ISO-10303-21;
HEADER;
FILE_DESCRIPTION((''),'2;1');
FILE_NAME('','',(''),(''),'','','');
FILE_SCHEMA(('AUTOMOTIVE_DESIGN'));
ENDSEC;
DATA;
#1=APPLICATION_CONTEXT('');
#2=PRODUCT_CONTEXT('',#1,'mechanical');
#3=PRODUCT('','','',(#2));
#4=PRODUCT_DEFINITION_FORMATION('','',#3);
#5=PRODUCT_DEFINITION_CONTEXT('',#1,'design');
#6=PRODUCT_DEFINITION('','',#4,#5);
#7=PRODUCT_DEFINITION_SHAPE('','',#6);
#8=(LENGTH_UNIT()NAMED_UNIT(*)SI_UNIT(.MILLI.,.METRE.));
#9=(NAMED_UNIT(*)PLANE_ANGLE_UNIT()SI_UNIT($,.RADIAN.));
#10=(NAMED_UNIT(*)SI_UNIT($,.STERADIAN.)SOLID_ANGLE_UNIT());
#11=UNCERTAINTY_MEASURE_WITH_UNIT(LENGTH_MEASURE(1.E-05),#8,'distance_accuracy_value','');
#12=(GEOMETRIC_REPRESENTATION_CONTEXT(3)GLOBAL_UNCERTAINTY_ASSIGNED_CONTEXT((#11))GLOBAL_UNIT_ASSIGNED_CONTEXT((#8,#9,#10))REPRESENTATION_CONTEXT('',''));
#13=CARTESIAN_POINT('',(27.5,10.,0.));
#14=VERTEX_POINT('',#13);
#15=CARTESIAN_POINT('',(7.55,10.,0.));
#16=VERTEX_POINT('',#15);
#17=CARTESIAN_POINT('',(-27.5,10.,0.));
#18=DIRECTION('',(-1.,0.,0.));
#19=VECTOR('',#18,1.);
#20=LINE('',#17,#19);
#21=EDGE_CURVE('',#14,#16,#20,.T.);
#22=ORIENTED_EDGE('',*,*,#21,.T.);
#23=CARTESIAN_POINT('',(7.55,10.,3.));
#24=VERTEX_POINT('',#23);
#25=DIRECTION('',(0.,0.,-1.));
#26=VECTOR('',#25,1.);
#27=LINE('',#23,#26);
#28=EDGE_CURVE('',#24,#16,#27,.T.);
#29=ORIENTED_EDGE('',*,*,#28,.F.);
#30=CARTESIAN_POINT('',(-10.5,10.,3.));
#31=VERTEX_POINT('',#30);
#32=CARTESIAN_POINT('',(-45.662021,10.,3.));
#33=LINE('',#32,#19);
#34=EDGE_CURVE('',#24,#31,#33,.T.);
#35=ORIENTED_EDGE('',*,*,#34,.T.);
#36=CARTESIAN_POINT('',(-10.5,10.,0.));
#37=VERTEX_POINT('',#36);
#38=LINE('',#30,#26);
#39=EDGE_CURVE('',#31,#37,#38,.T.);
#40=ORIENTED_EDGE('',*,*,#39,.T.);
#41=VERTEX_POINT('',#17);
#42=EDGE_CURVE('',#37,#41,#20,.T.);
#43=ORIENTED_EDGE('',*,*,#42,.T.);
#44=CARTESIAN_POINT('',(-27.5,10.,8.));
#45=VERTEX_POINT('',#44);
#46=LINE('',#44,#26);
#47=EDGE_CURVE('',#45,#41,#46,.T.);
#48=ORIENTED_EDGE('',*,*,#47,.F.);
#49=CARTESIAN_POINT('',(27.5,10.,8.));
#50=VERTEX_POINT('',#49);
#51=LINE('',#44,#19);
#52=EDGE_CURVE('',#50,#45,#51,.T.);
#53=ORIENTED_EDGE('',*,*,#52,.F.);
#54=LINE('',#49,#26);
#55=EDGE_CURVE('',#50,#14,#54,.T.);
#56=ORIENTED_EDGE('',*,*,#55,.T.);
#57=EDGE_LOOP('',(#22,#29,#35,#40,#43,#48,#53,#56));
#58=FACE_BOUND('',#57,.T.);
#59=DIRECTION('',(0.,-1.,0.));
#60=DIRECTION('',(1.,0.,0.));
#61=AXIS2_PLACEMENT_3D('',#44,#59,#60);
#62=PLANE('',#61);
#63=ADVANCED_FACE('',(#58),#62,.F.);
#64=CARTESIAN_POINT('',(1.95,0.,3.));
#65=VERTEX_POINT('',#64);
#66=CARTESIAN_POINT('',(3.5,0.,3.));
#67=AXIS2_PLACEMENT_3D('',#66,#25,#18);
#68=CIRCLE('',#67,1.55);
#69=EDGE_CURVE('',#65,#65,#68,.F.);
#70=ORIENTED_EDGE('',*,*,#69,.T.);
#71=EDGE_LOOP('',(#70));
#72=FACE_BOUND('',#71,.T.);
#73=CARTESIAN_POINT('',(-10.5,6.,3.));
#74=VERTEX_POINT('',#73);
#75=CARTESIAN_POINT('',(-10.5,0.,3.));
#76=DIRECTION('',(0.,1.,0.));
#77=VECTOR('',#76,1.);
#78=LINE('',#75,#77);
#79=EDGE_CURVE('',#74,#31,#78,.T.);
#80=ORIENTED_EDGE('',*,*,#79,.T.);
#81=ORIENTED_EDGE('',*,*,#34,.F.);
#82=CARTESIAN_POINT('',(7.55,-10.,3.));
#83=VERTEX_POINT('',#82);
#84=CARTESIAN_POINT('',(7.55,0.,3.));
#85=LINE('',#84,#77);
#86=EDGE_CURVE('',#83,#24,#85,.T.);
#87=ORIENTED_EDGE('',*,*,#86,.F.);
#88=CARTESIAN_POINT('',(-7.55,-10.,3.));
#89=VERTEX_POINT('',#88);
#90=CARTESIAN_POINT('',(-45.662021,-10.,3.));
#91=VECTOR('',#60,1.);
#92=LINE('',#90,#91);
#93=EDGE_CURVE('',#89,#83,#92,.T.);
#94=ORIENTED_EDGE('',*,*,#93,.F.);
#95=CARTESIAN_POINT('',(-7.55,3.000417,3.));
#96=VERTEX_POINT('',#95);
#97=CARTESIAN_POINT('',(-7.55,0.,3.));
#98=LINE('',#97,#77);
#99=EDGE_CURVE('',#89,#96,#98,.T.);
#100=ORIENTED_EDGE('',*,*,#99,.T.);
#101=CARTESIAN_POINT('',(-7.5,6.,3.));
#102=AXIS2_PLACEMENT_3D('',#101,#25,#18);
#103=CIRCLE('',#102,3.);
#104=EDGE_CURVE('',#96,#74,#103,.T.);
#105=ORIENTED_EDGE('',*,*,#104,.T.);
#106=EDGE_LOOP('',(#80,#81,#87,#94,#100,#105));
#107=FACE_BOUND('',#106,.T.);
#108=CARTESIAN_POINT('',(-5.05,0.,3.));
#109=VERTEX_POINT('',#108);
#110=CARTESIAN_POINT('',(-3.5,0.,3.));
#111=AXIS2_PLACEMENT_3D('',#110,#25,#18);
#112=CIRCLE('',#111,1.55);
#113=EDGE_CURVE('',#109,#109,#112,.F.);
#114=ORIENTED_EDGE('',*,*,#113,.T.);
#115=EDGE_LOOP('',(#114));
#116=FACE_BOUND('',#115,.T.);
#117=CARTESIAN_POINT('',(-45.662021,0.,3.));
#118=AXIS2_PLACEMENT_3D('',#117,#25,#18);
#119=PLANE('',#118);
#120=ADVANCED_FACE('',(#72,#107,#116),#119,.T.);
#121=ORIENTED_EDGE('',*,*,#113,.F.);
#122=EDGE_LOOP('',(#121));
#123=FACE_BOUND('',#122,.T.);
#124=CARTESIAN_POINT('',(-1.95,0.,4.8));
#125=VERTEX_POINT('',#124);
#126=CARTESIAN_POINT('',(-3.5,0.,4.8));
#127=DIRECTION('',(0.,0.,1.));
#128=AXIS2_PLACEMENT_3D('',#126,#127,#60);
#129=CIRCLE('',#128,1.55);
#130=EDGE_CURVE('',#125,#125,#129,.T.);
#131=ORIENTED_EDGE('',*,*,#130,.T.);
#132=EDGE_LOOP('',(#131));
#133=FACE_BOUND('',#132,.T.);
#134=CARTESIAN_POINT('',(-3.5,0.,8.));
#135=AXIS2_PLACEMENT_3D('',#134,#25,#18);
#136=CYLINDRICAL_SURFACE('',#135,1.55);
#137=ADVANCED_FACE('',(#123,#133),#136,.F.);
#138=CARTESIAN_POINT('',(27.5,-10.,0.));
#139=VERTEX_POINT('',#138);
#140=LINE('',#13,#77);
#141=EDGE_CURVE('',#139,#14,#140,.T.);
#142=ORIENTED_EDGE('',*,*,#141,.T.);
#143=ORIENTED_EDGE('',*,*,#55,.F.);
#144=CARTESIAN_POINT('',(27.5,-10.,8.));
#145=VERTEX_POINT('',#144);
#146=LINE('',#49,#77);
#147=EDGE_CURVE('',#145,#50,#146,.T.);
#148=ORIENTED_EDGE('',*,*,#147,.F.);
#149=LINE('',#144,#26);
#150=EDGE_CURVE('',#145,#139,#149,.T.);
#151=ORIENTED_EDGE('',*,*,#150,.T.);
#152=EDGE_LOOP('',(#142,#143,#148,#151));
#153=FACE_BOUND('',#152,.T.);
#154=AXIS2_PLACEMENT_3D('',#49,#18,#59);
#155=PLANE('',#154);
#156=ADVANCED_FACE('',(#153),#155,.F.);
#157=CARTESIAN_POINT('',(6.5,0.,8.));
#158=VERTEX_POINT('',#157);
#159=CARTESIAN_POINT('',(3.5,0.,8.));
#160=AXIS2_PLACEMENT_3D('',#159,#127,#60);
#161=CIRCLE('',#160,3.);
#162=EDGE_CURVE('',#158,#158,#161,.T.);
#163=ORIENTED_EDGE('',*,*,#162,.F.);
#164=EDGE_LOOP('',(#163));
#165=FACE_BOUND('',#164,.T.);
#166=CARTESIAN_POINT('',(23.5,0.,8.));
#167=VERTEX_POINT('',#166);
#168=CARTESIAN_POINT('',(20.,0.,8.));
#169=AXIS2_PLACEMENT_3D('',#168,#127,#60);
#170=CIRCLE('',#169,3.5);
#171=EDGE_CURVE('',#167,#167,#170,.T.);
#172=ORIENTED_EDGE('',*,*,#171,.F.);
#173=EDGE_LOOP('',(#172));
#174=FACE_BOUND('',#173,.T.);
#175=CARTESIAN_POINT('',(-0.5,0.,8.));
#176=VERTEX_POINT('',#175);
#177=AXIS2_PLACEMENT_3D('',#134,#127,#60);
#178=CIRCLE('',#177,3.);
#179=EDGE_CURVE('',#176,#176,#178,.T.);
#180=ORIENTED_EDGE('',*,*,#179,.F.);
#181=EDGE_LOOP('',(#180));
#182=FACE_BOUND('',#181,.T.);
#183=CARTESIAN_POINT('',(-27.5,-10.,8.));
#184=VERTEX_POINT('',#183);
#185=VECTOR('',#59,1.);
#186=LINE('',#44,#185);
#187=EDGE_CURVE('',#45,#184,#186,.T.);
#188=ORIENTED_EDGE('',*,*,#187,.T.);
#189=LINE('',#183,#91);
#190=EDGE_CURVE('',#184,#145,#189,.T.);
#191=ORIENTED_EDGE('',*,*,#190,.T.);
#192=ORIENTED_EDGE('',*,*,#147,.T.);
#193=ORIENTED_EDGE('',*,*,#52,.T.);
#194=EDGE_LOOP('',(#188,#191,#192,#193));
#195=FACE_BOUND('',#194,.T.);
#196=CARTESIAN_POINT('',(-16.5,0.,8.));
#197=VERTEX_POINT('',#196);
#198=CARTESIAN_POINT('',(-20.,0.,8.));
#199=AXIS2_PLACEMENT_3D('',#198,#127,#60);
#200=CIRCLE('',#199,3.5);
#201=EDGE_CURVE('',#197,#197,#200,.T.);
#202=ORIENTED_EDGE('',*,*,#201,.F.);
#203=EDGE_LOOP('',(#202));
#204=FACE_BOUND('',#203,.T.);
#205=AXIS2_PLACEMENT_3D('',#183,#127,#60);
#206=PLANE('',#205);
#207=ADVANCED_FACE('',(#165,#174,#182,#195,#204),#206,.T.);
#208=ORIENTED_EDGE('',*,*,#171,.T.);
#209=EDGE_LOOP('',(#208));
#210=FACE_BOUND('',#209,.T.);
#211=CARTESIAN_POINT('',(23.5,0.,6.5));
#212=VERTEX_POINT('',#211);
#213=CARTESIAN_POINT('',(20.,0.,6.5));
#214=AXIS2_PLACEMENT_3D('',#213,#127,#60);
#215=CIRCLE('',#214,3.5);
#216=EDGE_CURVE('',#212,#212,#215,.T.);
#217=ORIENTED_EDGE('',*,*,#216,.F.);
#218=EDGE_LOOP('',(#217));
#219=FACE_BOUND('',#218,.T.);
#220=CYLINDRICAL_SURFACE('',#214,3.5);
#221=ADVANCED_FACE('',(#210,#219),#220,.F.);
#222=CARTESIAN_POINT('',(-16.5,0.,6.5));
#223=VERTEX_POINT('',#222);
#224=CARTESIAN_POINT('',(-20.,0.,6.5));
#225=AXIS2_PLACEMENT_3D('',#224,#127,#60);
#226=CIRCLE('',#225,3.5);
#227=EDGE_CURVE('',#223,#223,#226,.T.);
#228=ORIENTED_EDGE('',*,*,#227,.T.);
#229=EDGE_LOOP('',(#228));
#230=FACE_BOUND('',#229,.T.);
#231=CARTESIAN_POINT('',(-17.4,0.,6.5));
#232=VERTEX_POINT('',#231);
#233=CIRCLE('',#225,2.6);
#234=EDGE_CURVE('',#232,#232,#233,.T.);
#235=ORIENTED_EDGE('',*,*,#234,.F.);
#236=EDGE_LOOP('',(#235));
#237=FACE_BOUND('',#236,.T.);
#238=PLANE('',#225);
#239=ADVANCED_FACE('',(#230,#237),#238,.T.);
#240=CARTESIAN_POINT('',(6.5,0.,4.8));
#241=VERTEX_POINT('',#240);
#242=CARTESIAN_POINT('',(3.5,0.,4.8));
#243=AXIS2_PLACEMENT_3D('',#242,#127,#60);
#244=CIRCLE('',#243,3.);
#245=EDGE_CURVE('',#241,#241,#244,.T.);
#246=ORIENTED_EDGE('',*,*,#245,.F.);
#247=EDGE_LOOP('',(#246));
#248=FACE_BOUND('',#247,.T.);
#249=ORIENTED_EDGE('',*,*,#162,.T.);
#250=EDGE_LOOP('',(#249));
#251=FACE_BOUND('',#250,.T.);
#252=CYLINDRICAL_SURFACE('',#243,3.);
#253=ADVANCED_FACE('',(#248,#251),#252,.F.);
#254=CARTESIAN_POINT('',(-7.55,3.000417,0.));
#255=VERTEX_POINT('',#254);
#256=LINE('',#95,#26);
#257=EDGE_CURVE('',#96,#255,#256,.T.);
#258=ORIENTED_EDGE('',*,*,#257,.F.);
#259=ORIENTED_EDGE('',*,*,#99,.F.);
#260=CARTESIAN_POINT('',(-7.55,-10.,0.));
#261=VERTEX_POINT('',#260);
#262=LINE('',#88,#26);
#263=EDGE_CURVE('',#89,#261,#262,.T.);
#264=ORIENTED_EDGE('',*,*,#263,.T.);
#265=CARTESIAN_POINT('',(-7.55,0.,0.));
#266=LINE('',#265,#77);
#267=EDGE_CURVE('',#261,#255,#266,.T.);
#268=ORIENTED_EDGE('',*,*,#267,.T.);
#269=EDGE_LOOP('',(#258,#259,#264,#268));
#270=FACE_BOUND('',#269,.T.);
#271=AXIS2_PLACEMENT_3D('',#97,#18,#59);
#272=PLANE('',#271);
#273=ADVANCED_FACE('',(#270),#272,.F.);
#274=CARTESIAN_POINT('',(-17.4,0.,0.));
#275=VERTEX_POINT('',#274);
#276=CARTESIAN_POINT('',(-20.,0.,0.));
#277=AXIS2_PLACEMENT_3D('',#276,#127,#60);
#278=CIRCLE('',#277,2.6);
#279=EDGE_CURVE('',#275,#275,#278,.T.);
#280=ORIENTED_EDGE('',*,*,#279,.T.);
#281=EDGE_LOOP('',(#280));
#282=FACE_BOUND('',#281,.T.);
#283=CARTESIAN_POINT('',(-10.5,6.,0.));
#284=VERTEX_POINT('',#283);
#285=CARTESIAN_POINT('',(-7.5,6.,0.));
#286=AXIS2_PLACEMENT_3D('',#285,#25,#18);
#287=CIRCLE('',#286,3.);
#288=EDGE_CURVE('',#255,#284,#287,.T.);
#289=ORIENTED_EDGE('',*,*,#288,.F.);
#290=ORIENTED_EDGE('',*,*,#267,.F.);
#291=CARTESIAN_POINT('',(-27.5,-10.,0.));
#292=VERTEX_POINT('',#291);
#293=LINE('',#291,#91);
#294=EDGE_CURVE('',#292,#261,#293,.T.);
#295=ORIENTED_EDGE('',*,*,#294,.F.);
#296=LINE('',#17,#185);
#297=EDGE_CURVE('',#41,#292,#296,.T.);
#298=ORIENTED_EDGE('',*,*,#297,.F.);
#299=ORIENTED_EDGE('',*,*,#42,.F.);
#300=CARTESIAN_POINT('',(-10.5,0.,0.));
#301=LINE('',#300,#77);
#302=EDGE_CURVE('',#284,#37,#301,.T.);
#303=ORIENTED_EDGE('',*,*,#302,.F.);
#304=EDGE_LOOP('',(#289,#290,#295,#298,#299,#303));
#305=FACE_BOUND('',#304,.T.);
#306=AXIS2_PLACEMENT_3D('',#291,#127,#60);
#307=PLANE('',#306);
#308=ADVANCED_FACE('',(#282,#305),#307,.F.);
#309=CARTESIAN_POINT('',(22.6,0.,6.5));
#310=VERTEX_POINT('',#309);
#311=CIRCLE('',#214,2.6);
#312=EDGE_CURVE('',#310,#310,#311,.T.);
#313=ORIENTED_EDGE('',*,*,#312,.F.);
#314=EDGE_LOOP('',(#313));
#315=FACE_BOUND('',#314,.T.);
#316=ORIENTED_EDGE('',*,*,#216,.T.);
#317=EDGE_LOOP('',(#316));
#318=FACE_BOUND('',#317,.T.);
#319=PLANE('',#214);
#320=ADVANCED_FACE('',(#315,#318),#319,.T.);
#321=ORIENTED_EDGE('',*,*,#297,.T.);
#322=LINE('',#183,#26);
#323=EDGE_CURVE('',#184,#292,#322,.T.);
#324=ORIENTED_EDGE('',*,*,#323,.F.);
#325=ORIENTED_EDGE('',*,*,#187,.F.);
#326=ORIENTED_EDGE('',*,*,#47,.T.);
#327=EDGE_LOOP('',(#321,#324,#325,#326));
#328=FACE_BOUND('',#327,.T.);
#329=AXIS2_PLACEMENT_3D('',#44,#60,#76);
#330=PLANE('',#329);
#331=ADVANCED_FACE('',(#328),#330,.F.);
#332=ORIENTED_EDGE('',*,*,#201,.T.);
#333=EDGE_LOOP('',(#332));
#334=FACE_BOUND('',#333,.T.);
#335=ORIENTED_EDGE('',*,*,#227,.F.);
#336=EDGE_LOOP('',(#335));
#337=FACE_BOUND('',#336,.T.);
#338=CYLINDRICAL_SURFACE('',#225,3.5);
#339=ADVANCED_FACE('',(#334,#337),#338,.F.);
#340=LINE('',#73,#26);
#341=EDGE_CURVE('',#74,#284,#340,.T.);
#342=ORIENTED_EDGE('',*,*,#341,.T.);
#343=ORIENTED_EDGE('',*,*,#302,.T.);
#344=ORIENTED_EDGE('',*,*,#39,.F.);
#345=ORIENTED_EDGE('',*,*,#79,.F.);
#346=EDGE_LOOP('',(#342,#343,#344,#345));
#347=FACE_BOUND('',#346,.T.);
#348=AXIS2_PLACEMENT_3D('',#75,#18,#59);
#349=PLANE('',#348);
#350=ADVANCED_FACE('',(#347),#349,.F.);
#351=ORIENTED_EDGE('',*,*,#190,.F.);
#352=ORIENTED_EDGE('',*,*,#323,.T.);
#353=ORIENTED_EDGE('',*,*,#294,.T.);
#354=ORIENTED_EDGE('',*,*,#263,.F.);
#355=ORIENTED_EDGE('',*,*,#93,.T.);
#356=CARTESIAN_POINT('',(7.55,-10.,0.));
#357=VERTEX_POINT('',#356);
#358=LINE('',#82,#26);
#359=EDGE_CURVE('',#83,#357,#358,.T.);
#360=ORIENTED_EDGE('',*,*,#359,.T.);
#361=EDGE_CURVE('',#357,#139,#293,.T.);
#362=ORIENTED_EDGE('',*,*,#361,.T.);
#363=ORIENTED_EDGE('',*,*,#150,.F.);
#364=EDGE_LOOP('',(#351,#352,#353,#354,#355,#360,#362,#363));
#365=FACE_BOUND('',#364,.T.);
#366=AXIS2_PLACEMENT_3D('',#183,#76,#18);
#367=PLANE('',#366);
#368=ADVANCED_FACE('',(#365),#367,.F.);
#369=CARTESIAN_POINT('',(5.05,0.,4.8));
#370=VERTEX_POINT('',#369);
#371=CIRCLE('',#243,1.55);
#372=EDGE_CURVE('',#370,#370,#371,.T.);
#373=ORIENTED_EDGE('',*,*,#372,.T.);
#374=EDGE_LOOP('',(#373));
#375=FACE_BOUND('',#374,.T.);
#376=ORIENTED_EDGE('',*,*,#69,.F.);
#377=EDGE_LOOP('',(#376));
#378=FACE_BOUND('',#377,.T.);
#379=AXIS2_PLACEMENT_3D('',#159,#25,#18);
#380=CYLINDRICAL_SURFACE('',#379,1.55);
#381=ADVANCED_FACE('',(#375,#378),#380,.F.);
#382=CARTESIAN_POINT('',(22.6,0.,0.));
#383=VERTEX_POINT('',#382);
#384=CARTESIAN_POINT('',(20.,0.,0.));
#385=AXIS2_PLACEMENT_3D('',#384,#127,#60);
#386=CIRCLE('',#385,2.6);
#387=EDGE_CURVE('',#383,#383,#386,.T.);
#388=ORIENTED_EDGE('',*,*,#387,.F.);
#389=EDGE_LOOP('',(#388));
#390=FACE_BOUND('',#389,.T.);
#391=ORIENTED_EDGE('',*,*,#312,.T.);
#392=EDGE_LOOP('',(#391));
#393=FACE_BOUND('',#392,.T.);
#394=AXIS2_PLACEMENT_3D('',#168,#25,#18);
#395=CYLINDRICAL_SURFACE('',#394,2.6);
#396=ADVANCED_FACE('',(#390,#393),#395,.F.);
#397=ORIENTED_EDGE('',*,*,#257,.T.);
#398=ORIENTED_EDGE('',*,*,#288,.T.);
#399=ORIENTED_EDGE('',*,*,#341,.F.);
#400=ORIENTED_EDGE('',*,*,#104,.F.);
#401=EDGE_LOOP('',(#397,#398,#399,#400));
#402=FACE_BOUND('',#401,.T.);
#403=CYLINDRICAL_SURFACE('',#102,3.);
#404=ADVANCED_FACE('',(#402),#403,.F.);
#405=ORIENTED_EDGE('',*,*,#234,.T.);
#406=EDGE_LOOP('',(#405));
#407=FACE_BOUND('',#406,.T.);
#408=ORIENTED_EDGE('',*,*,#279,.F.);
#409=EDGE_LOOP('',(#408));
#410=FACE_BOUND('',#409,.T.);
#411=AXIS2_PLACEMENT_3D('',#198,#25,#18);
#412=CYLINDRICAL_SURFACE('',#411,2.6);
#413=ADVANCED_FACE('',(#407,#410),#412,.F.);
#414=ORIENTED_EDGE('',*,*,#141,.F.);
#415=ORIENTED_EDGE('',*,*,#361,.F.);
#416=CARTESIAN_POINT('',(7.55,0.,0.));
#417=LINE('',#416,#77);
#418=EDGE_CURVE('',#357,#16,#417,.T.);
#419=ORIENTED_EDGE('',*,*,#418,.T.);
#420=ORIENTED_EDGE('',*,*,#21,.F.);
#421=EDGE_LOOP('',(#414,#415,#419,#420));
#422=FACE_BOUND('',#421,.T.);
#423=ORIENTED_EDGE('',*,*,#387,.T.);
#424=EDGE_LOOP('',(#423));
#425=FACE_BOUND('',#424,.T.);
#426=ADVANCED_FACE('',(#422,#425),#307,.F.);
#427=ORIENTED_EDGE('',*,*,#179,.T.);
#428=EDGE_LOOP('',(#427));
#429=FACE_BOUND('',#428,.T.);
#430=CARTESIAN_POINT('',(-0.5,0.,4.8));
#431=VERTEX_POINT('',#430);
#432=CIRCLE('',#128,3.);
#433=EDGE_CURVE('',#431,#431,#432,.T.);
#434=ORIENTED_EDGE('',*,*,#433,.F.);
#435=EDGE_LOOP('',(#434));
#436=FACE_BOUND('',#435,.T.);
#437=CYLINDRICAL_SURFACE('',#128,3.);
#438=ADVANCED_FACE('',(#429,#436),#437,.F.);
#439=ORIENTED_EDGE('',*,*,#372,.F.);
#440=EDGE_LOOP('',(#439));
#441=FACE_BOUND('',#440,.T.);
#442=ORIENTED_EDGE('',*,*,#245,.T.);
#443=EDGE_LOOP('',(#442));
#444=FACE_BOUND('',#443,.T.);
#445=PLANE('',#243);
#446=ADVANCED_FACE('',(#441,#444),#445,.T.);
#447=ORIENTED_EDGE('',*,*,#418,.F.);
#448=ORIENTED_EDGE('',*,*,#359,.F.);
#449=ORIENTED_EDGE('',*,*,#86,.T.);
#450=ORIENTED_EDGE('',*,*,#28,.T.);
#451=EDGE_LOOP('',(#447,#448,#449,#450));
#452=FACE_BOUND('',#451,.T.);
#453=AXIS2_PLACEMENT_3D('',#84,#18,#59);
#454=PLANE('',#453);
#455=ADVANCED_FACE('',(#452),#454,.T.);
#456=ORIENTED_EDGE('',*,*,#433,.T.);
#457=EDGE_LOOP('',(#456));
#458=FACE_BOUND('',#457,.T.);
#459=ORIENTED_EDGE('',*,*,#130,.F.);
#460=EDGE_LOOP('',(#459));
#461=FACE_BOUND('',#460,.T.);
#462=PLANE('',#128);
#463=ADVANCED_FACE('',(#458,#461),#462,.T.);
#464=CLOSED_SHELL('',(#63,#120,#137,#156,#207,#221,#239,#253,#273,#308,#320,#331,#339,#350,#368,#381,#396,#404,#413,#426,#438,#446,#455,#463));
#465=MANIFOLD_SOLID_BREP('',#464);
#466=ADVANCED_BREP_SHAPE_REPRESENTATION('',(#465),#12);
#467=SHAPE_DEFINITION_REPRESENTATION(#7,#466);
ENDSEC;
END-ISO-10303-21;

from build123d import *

# Parameters (mm, degrees)
ESQUISSE1_W             = 55
ESQUISSE1_H             = 20
ESQUISSE1_R             = 2.6
ESQUISSE1_R_2           = 1.55
EXTRUSION1_DEPTH        = 8
ESQUISSE2_R             = 3.5
ENL_V_MAT_EXTRU_1_DEPTH = 1.5
ESQUISSE3_R             = 3
ENL_V_MAT_EXTRU_2_DEPTH = 3.2
ESQUISSE4_R             = 1.55
ENL_V_MAT_EXTRU_3_DEPTH = 3


with BuildPart() as part:
    # Esquisse1 → Extrusion1 (new body)
    with BuildSketch(Plane.XY):
        Rectangle(ESQUISSE1_W, ESQUISSE1_H)
        with Locations((-20, 0)):
            Circle(ESQUISSE1_R, mode=Mode.SUBTRACT)
        with Locations((20, 0)):
            Circle(ESQUISSE1_R, mode=Mode.SUBTRACT)
        with Locations((-3.5, 0)):
            Circle(ESQUISSE1_R_2, mode=Mode.SUBTRACT)
        with Locations((3.5, 0)):
            Circle(ESQUISSE1_R_2, mode=Mode.SUBTRACT)
    extrude(amount=EXTRUSION1_DEPTH)

    # Esquisse2 → Enlèv. mat.-Extru.1 (cut)
    with BuildSketch(Plane.XY.offset(8)):
        with Locations((-20, 0)):
            Circle(ESQUISSE2_R)
        with Locations((20, 0)):
            Circle(ESQUISSE2_R)
    extrude(amount=-ENL_V_MAT_EXTRU_1_DEPTH, mode=Mode.SUBTRACT)

    # Esquisse3 → Enlèv. mat.-Extru.2 (cut)
    with BuildSketch(Plane.XY.offset(8)):
        with Locations((-3.5, 0)):
            Circle(ESQUISSE3_R)
        with Locations((3.5, 0)):
            Circle(ESQUISSE3_R)
    extrude(amount=-ENL_V_MAT_EXTRU_2_DEPTH, mode=Mode.SUBTRACT)

    # Esquisse4 → Enlèv. mat.-Extru.3 (cut)
    with BuildSketch(Plane(origin=(0, 0, 0), x_dir=(-1, 0, 0), z_dir=(0, 0, -1))):
        with BuildLine():
            Line((-7.55, 10), (-7.55, -10))
            Line((-7.55, -10), (7.55, -10))
            Line((7.55, -10), (7.55, 3.000416696))
            ThreePointArc((7.55, 3.000416696), (9.638924964, 3.896431603), (10.5, 6))
            Line((10.5, 6), (10.5, 10))
            Line((10.5, 10), (-7.55, 10))
        make_face()
        with Locations((-3.5, 0)):
            Circle(ESQUISSE4_R, mode=Mode.SUBTRACT)
        with Locations((3.5, 0)):
            Circle(ESQUISSE4_R, mode=Mode.SUBTRACT)
    extrude(amount=-ENL_V_MAT_EXTRU_3_DEPTH, mode=Mode.SUBTRACT)


solid = part.part
